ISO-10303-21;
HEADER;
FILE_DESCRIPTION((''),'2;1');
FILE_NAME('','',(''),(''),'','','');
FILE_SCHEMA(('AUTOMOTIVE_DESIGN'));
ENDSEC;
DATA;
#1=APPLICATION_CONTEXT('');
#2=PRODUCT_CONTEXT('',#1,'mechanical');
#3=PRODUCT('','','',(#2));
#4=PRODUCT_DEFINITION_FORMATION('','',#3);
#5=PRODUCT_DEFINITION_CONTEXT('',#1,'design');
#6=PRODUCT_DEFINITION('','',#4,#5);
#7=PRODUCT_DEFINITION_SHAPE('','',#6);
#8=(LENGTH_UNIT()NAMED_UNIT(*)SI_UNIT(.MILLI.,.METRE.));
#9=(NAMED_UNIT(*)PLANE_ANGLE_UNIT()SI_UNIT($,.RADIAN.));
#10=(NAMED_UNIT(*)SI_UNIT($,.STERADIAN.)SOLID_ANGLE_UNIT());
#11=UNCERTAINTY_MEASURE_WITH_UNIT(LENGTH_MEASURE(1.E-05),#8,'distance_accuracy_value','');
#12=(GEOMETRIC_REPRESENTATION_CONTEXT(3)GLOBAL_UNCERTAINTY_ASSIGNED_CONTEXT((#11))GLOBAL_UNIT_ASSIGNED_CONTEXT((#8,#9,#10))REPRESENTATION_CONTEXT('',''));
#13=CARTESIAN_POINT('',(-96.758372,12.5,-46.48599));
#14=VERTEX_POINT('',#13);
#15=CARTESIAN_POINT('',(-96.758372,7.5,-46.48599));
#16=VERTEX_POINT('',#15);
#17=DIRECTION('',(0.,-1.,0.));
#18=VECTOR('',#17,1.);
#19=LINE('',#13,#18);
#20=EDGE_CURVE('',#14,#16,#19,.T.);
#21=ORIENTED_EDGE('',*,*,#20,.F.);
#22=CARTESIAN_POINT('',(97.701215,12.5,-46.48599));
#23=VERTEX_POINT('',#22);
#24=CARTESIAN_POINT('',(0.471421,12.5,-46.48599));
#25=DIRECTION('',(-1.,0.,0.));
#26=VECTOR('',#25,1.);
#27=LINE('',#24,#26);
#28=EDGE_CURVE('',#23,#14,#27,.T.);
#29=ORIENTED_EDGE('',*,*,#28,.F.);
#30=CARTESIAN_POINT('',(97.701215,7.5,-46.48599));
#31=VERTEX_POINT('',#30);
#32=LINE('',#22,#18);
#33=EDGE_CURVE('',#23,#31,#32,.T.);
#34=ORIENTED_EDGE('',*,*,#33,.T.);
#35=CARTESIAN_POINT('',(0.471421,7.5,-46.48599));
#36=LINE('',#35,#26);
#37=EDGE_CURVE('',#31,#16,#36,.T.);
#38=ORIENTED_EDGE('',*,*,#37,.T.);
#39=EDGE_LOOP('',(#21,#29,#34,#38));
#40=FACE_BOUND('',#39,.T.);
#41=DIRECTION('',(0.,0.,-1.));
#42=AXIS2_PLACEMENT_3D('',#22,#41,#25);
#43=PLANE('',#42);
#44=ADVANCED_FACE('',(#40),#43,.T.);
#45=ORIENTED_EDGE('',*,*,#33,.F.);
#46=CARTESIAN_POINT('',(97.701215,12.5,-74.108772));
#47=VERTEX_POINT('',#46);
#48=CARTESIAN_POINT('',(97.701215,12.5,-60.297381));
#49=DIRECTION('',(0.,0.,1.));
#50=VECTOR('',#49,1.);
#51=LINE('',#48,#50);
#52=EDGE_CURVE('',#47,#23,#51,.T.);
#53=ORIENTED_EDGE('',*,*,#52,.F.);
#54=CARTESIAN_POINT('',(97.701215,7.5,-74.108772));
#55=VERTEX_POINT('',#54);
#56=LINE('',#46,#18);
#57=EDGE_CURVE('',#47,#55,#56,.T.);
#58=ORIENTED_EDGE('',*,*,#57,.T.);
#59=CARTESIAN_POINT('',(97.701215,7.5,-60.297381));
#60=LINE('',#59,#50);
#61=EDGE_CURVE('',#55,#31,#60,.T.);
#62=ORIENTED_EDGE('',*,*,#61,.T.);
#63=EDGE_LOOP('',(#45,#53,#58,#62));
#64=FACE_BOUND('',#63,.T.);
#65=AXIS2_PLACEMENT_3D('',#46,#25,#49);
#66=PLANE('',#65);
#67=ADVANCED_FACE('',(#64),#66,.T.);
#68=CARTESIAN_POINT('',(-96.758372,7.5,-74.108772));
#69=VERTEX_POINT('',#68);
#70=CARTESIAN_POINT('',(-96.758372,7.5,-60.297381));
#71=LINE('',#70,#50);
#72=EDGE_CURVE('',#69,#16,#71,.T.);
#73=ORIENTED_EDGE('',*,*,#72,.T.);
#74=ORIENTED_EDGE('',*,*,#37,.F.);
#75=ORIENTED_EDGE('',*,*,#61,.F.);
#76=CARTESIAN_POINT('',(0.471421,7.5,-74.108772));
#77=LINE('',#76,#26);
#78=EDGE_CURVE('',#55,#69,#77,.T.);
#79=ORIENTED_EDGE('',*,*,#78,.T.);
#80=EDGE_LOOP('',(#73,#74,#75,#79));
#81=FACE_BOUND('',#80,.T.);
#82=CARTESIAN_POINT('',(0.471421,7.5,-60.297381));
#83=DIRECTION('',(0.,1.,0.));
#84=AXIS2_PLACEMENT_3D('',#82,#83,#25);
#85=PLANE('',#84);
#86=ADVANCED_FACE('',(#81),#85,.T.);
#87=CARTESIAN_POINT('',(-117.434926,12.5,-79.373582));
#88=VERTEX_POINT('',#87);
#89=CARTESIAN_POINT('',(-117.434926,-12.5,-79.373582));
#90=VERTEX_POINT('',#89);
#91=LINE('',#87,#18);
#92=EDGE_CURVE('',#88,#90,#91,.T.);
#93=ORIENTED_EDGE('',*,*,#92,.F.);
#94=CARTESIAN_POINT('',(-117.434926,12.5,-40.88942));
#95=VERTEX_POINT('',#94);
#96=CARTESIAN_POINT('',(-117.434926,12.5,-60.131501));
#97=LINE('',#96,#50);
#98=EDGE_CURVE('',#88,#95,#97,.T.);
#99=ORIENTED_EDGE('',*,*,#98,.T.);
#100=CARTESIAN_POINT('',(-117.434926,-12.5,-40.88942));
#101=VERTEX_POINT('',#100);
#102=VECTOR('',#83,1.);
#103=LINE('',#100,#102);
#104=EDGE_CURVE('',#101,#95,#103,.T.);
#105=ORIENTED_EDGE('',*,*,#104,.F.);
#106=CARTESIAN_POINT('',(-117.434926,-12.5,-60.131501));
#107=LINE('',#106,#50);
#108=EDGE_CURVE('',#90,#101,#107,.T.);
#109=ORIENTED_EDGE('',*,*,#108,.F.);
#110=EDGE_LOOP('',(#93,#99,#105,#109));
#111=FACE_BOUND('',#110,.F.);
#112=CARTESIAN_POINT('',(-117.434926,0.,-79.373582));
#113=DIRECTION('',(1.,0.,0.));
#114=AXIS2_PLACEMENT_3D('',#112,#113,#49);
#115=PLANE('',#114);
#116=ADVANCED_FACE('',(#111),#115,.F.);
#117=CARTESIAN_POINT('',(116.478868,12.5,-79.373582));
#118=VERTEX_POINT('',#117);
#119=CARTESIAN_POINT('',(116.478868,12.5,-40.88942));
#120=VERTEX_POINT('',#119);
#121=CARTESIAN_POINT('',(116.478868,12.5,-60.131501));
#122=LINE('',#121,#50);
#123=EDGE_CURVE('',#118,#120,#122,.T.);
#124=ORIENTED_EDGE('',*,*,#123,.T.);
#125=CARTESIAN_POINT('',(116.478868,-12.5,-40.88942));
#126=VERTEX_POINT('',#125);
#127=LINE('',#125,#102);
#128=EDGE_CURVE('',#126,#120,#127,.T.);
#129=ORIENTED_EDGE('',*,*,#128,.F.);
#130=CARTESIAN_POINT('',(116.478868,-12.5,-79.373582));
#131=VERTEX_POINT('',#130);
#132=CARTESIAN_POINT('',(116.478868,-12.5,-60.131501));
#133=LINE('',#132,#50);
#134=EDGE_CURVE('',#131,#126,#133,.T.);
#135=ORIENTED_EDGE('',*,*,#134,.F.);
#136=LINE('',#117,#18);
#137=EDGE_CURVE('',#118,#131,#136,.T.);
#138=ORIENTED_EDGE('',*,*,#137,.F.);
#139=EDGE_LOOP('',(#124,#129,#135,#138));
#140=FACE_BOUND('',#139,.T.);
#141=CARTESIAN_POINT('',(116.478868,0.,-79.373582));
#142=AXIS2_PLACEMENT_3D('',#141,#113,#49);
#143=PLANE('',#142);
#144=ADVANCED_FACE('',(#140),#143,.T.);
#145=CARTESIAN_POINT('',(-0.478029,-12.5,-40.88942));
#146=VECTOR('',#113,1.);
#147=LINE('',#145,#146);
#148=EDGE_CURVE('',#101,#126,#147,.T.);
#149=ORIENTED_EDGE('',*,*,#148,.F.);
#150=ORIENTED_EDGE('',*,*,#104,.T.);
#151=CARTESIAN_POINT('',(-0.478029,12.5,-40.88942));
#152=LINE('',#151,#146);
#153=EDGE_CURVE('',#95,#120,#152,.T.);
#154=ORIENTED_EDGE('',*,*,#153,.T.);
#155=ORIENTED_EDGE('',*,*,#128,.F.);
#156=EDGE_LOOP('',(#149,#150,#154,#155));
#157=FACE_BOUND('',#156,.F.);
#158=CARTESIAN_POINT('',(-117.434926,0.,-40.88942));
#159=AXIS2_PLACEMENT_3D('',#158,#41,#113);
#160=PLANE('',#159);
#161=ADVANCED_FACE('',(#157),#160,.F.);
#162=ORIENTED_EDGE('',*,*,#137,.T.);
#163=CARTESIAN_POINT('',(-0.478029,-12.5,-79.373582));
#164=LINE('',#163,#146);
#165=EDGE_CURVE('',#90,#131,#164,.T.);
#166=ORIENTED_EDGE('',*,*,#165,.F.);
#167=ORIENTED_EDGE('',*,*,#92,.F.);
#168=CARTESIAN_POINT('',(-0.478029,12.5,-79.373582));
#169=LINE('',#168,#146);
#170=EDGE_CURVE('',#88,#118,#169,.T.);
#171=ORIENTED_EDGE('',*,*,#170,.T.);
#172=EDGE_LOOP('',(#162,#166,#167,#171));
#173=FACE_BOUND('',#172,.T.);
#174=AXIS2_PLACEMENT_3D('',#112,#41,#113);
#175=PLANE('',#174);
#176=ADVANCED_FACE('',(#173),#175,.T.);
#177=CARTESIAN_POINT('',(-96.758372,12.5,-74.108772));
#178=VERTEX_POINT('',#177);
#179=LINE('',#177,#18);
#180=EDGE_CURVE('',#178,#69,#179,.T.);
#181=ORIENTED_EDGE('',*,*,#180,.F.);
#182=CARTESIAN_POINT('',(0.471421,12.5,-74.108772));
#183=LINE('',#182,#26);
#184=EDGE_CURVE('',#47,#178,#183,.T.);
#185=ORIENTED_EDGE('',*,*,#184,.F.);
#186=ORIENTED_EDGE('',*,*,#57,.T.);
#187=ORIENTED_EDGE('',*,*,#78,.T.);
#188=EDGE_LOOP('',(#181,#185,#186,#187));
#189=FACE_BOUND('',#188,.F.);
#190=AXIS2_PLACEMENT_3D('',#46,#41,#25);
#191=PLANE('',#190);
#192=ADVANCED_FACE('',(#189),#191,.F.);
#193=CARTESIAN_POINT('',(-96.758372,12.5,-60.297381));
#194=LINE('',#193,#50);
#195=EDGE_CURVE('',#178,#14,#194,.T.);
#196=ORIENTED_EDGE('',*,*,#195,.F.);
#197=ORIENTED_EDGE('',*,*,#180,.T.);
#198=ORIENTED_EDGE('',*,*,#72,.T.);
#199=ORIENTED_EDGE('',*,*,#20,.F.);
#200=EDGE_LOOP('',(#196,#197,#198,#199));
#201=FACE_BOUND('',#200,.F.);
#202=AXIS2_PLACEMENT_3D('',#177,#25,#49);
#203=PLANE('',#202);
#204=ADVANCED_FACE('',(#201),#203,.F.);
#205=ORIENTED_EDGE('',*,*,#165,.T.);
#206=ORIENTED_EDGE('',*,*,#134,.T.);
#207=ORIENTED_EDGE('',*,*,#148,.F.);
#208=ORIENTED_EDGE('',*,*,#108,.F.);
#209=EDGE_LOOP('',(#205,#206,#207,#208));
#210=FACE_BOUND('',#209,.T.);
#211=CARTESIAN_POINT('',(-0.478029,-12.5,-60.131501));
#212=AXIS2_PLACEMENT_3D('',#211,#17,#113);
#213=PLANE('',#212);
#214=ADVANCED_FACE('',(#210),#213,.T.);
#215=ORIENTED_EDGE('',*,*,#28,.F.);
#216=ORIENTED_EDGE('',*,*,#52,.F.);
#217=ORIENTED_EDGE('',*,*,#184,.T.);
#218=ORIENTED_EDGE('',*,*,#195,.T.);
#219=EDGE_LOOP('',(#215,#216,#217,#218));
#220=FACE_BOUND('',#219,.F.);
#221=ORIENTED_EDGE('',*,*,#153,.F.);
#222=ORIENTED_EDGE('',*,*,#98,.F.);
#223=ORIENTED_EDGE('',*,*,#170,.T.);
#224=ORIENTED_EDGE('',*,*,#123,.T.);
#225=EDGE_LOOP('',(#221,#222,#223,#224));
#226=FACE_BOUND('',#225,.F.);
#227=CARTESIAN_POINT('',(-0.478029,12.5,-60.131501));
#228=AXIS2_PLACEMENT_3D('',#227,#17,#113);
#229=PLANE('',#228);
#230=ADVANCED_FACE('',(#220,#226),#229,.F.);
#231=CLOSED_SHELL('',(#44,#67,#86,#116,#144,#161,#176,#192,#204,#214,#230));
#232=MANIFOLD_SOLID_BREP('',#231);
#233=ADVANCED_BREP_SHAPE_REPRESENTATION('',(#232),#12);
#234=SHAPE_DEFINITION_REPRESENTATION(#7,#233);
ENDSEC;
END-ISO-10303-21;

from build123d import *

# Parameters (mm, degrees)
F2_W     = 233.913794
F2_H     = 38.484163
F3_DEPTH = 12.5
F4_W     = 194.459587
F4_H     = 27.622782
F5_DEPTH = 5


with BuildPart() as f3:
    # F2 (on Front) → F3 (new body, symmetric)
    with BuildSketch(Plane.XZ):
        with Locations((-0.478029, -60.131501)):
            Rectangle(F2_W, F2_H)
    extrude(amount=F3_DEPTH, both=True)

    # F4 (on face) → F5 (cut)
    with BuildSketch(Plane(origin=(0, 12.5, 0), x_dir=(-1, 0, 0), z_dir=(0, 1, 0))):
        with Locations((-0.471421, -60.297381)):
            Rectangle(F4_W, F4_H)
    extrude(amount=-F5_DEPTH, mode=Mode.SUBTRACT)


solid = f3.part
